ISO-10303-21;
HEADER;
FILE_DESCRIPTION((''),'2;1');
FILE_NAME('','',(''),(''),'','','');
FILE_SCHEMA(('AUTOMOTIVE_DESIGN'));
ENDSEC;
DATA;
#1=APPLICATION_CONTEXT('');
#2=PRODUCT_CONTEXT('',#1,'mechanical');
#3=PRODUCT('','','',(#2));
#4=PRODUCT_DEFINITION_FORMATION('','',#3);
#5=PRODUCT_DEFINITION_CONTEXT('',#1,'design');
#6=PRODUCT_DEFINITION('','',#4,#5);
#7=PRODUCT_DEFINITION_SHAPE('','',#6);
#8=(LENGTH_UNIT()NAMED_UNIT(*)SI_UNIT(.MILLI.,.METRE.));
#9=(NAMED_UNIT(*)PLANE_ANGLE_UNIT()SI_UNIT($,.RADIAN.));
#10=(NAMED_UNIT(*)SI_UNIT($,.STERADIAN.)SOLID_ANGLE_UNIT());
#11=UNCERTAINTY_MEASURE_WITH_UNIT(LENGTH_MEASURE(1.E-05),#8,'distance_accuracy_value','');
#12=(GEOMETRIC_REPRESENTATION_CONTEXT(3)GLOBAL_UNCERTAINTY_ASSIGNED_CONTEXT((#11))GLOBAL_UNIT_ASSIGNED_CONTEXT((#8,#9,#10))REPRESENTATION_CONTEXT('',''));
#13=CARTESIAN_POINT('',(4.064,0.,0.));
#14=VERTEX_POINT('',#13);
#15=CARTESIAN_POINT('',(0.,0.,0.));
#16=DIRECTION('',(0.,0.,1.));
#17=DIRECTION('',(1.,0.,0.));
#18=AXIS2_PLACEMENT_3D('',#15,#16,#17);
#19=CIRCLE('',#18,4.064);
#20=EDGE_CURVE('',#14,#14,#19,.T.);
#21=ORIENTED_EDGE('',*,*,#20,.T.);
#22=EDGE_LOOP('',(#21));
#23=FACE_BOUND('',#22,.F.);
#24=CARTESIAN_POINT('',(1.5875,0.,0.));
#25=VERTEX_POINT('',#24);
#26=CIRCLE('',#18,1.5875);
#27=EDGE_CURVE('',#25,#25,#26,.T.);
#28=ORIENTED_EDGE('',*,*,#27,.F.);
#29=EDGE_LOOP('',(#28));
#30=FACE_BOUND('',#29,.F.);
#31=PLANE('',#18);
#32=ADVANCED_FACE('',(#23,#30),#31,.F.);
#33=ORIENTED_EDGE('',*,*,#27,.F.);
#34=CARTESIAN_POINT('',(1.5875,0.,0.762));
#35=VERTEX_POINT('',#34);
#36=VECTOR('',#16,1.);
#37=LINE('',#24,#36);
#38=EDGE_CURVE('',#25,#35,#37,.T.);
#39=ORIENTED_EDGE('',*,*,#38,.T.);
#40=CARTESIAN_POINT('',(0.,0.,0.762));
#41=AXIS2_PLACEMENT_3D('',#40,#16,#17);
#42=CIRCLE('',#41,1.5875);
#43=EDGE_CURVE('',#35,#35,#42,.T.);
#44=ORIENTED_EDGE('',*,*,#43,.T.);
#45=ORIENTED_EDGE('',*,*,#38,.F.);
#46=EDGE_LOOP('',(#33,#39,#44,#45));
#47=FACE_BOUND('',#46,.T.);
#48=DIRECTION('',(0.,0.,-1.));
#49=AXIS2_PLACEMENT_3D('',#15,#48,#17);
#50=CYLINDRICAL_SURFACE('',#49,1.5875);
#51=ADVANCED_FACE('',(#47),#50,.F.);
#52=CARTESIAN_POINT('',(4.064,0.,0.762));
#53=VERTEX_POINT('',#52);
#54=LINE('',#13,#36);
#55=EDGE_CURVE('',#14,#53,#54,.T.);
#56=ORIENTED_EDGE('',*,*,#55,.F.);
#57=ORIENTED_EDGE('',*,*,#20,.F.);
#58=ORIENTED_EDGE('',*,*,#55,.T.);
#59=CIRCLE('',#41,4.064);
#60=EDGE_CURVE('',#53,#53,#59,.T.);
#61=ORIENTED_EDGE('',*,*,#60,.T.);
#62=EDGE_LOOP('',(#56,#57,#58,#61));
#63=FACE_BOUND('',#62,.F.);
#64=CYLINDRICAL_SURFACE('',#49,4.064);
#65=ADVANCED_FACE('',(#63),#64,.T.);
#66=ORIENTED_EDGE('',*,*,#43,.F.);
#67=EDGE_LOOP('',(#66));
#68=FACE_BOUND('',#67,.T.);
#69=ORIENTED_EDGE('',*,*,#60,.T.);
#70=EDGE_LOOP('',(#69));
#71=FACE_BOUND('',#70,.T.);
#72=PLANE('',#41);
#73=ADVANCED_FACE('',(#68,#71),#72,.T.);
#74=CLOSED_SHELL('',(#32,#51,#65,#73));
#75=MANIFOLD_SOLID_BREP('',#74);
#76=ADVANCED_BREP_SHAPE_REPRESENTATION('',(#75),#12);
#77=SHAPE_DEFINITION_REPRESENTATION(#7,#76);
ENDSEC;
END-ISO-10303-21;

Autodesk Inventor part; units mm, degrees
ref_plane "YZ Plane" through (0, 0, 0) normal (1, 0, 0) x (0, 1, 0)
ref_plane "XZ Plane" through (0, 0, 0) normal (0, 1, 0) x (-1, 0, 0)
ref_plane "XY Plane" through (0, 0, 0) normal (0, 0, 1) x (1, 0, 0)
sketch "Sketch1" plane through (0, 0, 0) normal (0, 0, 1) x (1, 0, 0)
  circle A0 centre (0, 0) radius 4.064
  circle A1 centre (0, 0) radius 1.5875
  dimension "d0" = 3.175
  dimension "d1" = 8.128
extrude "Extrusion1" add sketch "Sketch1" along normal blind 0.762
properties part number "4_-_40_flat_washer"
